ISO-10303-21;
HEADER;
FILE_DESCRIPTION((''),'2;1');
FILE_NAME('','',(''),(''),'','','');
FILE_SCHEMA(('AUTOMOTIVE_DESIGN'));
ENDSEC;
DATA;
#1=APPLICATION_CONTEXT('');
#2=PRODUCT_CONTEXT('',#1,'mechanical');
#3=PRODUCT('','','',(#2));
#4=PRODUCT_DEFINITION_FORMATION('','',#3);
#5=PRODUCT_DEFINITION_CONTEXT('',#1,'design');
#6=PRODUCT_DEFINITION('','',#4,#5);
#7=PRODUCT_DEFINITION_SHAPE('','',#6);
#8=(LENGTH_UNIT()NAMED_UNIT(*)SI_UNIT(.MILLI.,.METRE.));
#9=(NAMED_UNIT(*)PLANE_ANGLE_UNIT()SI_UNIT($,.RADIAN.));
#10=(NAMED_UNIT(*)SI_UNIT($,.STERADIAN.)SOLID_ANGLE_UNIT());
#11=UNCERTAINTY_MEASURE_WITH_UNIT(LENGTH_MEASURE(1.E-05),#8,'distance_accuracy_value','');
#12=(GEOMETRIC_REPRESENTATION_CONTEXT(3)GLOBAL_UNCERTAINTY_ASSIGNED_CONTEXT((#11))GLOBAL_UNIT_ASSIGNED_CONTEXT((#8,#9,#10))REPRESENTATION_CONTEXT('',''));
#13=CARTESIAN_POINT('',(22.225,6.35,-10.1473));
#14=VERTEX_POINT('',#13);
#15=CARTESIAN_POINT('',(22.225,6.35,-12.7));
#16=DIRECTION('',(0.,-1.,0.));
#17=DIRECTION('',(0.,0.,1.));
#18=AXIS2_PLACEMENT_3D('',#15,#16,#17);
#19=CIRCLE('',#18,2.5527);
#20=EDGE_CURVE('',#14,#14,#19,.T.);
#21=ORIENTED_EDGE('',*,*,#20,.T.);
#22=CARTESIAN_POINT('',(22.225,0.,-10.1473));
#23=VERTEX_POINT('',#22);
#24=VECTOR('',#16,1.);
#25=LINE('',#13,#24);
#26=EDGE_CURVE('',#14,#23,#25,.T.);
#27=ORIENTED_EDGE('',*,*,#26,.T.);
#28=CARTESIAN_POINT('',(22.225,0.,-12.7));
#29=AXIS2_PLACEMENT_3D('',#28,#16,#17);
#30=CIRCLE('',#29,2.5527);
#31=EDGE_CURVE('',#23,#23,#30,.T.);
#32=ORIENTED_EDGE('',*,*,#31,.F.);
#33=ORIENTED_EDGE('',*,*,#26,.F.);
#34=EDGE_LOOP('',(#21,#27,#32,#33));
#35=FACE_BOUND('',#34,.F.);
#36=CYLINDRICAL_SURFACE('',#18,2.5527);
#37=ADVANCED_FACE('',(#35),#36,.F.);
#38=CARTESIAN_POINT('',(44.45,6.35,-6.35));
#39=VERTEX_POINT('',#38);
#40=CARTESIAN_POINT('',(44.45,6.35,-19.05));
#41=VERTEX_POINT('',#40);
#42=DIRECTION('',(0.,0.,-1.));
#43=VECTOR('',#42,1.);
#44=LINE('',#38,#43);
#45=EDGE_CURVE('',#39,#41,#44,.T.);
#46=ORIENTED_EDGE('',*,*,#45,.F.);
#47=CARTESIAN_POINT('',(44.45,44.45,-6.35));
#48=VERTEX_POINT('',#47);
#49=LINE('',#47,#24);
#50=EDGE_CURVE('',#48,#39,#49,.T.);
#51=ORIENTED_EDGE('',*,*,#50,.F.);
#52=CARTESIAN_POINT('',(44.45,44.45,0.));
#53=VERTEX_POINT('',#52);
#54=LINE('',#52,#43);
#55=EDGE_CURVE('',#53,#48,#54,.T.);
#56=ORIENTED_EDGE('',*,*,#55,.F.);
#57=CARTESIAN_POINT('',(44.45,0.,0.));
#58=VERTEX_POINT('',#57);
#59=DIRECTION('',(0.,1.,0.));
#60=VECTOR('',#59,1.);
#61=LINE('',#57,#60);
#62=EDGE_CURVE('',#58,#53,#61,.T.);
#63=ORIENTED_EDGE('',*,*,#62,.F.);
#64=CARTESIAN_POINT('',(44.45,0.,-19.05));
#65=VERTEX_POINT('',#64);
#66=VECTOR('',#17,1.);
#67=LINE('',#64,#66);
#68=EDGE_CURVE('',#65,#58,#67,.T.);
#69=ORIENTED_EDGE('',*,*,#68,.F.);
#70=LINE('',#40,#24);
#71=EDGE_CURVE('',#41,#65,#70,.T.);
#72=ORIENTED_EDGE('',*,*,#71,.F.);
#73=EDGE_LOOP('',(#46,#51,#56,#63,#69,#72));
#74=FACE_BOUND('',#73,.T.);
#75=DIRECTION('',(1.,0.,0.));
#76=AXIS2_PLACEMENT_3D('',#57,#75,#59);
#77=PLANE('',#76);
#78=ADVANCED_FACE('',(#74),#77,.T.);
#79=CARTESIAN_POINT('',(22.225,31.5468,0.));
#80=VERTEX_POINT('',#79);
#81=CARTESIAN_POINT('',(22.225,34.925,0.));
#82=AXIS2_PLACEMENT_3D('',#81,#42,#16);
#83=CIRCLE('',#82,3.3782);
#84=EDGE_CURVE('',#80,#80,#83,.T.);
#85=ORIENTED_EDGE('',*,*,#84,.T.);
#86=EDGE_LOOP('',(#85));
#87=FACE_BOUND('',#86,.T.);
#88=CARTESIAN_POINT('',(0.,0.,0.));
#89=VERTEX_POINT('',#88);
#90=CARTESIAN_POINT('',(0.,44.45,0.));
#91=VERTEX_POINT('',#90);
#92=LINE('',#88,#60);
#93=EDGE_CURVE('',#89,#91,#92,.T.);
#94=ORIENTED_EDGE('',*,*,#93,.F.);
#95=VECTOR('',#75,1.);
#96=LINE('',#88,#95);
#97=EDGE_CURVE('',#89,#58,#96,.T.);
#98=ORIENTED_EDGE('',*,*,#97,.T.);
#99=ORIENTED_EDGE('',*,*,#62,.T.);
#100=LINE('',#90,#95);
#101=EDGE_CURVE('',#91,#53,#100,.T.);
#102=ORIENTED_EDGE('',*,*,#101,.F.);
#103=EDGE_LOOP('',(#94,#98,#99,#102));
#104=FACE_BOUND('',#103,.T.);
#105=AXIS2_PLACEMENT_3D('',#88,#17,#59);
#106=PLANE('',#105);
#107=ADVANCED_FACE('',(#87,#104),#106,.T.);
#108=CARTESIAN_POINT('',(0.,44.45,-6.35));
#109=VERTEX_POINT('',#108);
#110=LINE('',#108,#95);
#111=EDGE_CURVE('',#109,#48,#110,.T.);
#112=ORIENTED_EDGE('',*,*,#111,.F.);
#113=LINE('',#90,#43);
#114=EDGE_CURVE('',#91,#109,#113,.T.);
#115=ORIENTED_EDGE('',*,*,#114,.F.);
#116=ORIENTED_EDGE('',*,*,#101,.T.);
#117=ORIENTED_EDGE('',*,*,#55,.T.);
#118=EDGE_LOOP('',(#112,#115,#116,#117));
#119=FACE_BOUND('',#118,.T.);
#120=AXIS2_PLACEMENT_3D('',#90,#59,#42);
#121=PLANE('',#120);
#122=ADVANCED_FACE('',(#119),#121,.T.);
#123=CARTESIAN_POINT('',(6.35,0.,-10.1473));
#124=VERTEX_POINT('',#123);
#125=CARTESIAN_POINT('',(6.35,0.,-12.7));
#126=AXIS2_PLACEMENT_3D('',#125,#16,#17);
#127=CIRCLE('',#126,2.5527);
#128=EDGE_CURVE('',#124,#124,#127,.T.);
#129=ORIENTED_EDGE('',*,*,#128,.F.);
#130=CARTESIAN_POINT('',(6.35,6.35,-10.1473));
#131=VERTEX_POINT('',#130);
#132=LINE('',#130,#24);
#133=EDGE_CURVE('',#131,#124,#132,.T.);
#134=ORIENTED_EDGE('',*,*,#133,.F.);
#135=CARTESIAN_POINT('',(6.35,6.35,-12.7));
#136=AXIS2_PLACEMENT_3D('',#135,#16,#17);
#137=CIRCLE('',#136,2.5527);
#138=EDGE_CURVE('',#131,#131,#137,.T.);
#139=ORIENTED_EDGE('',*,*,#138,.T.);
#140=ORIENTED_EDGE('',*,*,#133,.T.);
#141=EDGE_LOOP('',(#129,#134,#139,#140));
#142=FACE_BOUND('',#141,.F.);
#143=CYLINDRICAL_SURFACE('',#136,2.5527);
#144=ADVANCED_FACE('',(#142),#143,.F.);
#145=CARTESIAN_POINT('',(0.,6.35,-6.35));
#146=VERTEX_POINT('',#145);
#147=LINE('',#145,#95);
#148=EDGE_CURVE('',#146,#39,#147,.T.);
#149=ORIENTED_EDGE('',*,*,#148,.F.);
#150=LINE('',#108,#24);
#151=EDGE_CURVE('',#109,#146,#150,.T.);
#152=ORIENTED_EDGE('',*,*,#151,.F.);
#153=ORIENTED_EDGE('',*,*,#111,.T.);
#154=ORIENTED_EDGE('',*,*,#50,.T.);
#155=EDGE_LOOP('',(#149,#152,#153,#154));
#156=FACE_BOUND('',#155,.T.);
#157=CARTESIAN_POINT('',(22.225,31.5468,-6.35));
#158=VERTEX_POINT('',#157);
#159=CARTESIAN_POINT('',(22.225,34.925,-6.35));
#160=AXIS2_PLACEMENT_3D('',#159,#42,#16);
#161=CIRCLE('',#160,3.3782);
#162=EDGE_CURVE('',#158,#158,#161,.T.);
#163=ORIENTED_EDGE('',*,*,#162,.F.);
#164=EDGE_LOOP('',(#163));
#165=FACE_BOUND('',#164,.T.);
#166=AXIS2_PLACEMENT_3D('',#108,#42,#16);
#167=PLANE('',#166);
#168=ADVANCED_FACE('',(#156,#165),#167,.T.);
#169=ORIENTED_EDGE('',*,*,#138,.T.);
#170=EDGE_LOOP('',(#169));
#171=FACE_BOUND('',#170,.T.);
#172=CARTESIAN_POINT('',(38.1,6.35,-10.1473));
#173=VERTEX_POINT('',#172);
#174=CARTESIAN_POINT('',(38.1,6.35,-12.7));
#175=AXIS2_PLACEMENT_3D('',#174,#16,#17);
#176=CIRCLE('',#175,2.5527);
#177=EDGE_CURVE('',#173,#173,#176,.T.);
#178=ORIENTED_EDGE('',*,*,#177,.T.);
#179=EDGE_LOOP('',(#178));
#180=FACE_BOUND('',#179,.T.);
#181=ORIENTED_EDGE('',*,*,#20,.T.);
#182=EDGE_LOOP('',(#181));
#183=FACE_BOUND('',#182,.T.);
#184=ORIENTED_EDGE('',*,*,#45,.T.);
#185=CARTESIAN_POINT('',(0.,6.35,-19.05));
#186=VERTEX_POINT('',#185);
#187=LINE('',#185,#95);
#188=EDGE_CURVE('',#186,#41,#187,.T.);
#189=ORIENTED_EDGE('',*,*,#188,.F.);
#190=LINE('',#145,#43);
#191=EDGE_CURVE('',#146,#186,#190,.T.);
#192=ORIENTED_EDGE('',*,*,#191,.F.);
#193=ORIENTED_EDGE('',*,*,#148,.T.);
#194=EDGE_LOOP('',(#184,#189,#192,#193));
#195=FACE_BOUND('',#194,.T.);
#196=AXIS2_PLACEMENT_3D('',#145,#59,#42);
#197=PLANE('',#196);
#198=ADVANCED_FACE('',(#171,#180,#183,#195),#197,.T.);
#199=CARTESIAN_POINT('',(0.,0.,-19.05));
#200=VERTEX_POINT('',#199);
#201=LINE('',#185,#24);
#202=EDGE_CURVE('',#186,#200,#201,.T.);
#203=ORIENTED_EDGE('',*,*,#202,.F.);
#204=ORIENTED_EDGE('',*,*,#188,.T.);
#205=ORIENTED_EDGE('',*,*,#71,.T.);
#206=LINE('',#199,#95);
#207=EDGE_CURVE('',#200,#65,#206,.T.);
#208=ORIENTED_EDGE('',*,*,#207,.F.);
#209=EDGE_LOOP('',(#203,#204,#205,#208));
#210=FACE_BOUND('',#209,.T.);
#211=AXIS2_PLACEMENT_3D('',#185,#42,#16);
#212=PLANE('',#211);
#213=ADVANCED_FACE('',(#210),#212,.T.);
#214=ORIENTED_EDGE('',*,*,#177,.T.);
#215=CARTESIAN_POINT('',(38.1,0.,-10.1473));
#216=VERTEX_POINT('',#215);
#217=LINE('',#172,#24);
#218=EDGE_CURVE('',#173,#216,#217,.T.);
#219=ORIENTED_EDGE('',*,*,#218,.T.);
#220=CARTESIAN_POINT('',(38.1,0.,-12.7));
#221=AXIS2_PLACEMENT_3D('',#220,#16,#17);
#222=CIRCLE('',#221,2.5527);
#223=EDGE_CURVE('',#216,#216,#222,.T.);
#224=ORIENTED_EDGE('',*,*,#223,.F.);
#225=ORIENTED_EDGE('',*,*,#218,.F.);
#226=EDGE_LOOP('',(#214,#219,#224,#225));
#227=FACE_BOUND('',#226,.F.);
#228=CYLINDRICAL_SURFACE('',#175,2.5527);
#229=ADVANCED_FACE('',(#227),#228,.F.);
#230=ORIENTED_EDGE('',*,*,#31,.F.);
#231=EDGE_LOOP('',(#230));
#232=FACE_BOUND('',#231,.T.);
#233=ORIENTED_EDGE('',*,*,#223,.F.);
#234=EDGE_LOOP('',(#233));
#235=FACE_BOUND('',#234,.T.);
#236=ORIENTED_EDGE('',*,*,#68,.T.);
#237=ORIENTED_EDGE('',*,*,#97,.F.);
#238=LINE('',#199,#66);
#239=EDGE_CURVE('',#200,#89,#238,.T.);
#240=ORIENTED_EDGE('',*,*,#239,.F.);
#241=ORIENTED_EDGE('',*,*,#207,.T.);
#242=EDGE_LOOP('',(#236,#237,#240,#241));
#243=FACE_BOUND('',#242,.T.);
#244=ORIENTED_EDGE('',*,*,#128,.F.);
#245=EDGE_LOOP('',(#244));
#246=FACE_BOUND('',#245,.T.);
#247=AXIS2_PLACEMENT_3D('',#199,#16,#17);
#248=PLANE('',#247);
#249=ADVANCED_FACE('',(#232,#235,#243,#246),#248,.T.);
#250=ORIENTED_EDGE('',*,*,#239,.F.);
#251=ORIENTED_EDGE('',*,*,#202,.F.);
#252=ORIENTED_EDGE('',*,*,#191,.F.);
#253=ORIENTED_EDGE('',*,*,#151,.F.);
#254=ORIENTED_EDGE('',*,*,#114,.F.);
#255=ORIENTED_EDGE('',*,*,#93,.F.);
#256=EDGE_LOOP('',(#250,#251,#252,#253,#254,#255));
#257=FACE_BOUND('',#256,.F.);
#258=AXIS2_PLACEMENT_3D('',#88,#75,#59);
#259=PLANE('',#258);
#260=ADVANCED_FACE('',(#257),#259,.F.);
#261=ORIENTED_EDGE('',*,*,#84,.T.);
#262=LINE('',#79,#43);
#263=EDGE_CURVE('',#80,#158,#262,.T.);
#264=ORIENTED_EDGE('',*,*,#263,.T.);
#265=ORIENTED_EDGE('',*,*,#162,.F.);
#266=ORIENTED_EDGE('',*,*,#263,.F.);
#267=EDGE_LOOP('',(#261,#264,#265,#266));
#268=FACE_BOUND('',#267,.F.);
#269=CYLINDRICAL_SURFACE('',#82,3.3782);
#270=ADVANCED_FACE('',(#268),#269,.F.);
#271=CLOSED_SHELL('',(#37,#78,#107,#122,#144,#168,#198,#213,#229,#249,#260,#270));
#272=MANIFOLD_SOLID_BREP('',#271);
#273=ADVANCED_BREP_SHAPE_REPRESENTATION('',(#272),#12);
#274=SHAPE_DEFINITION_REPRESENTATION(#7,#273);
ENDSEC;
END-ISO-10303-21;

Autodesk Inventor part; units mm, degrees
ref_plane "YZ Plane" through (0, 0, 0) normal (1, 0, 0) x (0, 1, 0)
ref_plane "XZ Plane" through (0, 0, 0) normal (0, 1, 0) x (-1, 0, 0)
ref_plane "XY Plane" through (0, 0, 0) normal (0, 0, 1) x (1, 0, 0)
sketch "Sketch1" plane through (0, 0, 0) normal (1, 0, 0) x (0, 1, 0)
  line L0 (0, 0) -> (44.45, 0)
  line L1 (44.45, 0) -> (44.45, -6.35)
  line L2 (44.45, -6.35) -> (6.35, -6.35)
  line L3 (6.35, -6.35) -> (6.35, -19.05)
  line L4 (6.35, -19.05) -> (0, -19.05)
  line L5 (0, -19.05) -> (0, 0)
  dimension "d0" = 6.35
  dimension "d1" = 44.45
  dimension "d21" = 19.05
extrude "Extrusion1" add sketch "Sketch1" along normal blind 44.45
sketch "Sketch2" plane through (0, 0, 0) normal (0, 0, 1) x (1, 0, 0)
  line L0 (0, 44.45) -> (44.45, 44.45) construction
  line L1 (22.225, 44.45) -> (22.225, 0) construction
  line L2 (0, 0) -> (44.45, 0) construction
  point P0 (22.225, 34.925)
  dimension "d4" = 9.525
hole "Hole1" at (22.225, 34.925, 0) direction (0, 0, -1) diameter 6.7564 end through all clearance for "Flat Head Machine Screw (82)" size "1/4" standard "Ansi Unified Screw Threads"
sketch "Sketch4" plane through (0, 6.35, -6.35) normal (0, 1, 0) x (1, 0, 0)
  line L0 (0, 6.35) -> (44.45, 6.35) construction
  line L1 (44.45, -6.35) -> (44.45, 12.7) construction
  line L2 (0, 12.7) -> (44.45, 12.7) projected
  line L3 (0, 0) -> (0, 12.7) projected
  point P0 (0, -6.35)
  point P1 (22.225, 6.35)
  point P2 (6.35, 6.35)
  point P3 (38.1, 6.35)
  dimension "d22" = 6.35
  dimension "d23" = 6.35
  dimension "d24" = 6.35
hole "Hole3" at (22.225, 6.35, -12.7) at (6.35, 6.35, -12.7) at (38.1, 6.35, -12.7) direction (0, -1, 0) diameter 5.1054 end through all clearance for "Flat Head Machine Screw (82)" size "#10" standard "Ansi Unified Screw Threads"
properties part number "AngleBracketForEndOfArm"
